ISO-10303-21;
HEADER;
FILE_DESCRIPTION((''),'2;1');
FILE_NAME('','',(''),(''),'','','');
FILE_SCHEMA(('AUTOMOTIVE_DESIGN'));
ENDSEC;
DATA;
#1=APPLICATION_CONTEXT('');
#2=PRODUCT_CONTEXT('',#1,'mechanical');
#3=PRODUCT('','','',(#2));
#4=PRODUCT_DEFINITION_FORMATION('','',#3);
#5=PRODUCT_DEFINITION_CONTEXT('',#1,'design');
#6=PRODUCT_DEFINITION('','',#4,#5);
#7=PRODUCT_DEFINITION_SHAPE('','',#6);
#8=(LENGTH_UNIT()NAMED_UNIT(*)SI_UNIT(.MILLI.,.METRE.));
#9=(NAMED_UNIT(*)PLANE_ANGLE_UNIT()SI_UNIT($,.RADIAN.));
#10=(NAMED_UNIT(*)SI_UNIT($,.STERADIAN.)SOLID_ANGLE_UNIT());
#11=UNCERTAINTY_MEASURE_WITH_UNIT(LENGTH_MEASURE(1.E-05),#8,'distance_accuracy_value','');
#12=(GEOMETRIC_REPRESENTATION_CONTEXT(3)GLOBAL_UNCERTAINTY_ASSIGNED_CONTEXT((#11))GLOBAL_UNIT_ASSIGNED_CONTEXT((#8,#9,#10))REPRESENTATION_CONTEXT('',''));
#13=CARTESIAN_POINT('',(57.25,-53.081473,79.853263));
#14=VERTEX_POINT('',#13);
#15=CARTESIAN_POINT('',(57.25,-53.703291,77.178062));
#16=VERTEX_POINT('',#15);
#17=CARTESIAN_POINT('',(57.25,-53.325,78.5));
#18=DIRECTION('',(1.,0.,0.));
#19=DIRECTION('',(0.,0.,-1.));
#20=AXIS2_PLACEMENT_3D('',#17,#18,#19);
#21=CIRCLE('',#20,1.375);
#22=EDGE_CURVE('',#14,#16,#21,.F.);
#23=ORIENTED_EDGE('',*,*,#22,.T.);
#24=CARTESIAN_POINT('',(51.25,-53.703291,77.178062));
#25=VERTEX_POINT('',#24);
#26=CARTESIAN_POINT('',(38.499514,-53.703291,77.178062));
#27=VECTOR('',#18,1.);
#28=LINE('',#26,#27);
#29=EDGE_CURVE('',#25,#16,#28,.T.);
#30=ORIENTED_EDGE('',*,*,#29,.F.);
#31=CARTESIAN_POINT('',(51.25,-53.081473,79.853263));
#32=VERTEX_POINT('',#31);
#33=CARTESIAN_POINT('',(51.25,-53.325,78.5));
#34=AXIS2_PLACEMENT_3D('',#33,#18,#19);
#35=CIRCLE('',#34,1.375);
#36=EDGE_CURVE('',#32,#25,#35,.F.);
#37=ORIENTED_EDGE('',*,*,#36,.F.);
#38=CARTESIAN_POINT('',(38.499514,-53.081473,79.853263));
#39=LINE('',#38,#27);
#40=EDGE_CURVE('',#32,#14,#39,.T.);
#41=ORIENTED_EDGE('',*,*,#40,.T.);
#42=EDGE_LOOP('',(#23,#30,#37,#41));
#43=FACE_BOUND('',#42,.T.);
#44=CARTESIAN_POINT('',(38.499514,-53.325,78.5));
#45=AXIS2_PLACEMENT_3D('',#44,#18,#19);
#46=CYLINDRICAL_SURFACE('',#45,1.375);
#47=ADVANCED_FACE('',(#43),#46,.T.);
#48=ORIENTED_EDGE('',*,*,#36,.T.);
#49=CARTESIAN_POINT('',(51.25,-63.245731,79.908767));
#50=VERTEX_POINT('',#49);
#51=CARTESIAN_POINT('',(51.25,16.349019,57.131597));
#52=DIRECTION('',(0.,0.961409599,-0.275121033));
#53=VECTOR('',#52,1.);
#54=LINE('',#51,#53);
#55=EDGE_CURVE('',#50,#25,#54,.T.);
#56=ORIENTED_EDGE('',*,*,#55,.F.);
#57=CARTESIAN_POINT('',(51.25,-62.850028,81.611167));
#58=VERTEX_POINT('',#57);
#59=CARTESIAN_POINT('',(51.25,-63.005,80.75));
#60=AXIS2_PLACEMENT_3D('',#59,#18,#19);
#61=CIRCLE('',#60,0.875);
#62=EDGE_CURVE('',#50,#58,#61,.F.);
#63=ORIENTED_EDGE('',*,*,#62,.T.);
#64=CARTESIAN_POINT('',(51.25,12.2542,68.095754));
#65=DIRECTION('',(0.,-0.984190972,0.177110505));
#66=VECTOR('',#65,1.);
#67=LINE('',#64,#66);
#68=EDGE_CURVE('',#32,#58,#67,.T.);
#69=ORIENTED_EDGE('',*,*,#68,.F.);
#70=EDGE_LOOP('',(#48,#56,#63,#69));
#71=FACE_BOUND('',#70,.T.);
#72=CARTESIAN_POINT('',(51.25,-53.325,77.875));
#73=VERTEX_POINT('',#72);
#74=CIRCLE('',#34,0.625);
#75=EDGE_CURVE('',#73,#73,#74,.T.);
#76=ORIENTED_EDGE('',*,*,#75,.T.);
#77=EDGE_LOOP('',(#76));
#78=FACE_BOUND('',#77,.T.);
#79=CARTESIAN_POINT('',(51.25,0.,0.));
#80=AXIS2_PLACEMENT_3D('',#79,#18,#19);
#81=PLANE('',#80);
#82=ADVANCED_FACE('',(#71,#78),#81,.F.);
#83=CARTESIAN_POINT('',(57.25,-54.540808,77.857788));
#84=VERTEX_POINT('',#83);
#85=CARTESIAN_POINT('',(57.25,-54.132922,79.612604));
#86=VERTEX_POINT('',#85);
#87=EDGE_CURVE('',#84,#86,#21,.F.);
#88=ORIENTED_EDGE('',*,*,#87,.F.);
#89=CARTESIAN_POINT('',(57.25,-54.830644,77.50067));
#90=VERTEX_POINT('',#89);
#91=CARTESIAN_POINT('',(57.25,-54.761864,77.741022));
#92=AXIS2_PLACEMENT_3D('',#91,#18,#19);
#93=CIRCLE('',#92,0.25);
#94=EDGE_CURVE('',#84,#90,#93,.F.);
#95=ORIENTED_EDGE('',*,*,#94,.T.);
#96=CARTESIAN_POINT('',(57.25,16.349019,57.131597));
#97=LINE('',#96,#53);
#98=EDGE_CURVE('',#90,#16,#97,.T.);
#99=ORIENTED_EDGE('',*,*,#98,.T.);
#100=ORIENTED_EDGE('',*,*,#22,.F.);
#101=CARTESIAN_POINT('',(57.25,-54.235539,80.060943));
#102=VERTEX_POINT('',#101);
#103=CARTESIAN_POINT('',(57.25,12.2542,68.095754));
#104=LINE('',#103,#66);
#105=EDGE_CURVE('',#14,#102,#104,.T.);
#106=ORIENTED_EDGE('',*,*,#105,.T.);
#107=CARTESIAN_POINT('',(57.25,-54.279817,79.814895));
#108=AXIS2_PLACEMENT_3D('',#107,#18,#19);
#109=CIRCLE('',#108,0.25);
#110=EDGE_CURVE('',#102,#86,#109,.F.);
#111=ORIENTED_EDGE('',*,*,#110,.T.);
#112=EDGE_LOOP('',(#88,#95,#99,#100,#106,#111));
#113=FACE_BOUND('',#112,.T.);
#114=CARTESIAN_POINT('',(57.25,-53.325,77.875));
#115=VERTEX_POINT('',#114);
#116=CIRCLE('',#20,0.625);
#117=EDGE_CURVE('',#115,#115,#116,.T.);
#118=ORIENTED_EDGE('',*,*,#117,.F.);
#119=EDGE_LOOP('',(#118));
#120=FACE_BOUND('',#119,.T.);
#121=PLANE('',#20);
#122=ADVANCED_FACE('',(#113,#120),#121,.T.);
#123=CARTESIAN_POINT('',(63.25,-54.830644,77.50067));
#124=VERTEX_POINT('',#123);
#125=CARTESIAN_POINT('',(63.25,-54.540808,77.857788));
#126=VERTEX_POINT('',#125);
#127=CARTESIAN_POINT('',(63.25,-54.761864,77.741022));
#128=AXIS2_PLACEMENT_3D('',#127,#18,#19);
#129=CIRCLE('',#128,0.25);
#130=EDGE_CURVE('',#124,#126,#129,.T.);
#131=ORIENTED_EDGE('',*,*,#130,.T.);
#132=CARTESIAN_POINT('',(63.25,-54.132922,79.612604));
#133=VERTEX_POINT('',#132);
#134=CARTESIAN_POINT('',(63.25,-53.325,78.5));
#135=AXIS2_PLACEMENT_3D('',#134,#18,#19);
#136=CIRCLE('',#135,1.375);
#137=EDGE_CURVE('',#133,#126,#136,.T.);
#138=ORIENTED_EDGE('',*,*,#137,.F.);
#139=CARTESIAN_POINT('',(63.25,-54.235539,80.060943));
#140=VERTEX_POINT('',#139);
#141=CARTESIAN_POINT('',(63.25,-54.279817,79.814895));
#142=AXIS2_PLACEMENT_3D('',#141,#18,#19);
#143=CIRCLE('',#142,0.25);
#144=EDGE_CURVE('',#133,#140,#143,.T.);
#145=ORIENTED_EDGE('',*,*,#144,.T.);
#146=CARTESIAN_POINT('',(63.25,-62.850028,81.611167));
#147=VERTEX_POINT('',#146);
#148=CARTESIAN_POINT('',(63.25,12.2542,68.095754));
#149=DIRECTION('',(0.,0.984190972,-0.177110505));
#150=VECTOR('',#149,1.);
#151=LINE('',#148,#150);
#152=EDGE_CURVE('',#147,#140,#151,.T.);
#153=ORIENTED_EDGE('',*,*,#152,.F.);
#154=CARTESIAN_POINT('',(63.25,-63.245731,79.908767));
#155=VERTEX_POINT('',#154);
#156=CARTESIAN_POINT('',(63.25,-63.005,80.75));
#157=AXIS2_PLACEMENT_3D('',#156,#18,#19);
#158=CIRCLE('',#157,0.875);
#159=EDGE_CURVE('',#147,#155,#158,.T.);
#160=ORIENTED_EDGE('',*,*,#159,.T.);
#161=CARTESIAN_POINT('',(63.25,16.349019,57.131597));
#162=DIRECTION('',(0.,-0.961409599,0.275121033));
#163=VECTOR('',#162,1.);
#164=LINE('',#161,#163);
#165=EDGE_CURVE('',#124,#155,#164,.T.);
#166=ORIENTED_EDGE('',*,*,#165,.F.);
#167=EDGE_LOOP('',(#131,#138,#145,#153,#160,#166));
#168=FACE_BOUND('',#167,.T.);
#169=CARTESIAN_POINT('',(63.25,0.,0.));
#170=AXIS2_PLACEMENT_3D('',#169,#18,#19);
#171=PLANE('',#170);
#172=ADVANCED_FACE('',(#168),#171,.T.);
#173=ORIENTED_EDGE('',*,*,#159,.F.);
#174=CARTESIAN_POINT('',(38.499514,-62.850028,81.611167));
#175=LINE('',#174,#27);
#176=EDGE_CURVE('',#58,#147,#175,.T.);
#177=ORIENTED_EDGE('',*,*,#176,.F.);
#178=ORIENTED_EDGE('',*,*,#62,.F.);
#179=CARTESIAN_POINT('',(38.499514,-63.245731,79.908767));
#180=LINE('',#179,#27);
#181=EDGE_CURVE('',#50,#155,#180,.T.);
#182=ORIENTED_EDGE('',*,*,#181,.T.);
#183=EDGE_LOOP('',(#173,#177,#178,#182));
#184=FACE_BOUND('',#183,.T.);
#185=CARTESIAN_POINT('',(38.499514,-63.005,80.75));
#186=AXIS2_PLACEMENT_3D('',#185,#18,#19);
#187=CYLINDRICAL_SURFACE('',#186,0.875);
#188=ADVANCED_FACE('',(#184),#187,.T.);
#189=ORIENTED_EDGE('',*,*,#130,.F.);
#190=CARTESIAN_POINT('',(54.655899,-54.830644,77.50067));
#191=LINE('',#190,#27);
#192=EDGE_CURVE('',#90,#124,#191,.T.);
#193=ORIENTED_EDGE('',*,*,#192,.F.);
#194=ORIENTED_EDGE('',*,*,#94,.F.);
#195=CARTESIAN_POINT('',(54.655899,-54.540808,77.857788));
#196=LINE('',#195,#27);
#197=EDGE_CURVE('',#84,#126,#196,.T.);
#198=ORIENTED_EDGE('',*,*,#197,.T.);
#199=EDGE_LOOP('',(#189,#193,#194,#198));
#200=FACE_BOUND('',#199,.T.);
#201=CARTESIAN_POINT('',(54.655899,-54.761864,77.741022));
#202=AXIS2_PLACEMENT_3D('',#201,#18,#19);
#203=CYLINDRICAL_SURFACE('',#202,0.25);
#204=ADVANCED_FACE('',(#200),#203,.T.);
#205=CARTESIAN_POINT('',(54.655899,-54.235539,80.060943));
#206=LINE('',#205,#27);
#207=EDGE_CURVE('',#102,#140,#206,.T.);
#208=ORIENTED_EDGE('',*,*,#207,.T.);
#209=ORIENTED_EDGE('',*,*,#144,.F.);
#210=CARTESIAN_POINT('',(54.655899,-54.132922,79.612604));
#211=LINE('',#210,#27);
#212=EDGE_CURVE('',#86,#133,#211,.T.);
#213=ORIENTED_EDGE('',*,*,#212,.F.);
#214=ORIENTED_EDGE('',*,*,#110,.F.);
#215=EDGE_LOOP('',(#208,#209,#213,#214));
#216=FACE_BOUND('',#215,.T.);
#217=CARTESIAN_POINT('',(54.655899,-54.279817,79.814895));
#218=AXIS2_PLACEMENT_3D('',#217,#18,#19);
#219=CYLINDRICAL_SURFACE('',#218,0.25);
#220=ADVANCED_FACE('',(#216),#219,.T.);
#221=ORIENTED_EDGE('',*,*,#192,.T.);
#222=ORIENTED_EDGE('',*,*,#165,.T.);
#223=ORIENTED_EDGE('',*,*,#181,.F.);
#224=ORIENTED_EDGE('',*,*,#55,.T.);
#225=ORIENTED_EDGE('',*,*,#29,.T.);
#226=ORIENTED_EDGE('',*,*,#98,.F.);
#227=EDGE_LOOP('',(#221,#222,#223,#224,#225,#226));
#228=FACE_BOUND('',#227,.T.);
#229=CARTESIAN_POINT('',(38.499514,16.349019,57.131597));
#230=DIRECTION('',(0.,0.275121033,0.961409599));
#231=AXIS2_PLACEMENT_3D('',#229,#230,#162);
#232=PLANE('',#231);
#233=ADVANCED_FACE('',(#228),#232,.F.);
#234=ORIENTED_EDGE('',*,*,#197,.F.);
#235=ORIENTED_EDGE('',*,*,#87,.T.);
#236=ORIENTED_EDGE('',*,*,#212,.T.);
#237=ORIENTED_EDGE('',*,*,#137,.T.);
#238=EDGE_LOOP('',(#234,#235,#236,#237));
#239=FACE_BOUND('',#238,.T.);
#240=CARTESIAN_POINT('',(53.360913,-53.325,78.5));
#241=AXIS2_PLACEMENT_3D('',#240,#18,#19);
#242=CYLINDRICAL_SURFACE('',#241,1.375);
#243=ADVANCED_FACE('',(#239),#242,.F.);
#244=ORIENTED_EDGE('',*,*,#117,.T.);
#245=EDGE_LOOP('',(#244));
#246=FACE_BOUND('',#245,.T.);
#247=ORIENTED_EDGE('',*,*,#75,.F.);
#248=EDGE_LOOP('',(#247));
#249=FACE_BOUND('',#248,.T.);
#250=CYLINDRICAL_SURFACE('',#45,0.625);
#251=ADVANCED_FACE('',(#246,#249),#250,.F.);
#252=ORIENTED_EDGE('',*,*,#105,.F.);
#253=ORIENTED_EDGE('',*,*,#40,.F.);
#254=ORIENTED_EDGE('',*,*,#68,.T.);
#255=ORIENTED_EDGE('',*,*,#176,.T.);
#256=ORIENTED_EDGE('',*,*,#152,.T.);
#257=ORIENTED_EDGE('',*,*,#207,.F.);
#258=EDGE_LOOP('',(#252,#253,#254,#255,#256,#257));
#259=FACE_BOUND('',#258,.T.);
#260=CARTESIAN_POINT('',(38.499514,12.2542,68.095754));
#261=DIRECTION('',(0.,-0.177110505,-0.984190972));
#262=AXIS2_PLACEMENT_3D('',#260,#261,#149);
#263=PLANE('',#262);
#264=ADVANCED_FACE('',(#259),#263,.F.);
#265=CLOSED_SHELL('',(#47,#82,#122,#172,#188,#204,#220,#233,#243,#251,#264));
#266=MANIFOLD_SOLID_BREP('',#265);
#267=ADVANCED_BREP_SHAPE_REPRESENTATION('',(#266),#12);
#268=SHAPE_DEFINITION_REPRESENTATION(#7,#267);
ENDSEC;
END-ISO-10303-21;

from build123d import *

# Parameters (mm, degrees)
SKETCH_1_R          = 0.625
EXTRUDE_1_DEPTH     = 12
CUT_EXTRUDE_START   = -6
SKETCH_2_R          = 1.375
CUT_EXTRUDE_1_DEPTH = 6
CUT_EXTRUDE_2_DEPTH = 6


with BuildPart() as part:
    # 草图1 → 凸台-拉伸1 (new body)
    with BuildSketch(Plane(origin=(63.25, 0, 0), x_dir=(0, 0, -1), z_dir=(1, 0, 0))):
        with BuildLine():
            Line((-79.908766601, -63.245730904), (-77.178061801, -53.70329142))
            ThreePointArc((-77.178061801, -53.70329142), (-78.188696573, -51.985703477), (-79.853262586, -53.081473056))
            Line((-79.853262586, -53.081473056), (-81.6111671, -62.850028308))
            ThreePointArc((-81.6111671, -62.850028308), (-80.948102181, -63.857279605), (-79.908766601, -63.245730904))
        make_face()
        with Locations((-78.5, -53.325)):
            Circle(SKETCH_1_R, mode=Mode.SUBTRACT)
    extrude(amount=-EXTRUDE_1_DEPTH)

    # 草图2 → 切除-拉伸1 (cut)
    with BuildSketch(Plane(origin=(63.25, 0, 0), x_dir=(0, 0, -1), z_dir=(1, 0, 0)).offset(CUT_EXTRUDE_START)):
        with Locations((-78.5, -53.325)):
            Circle(SKETCH_2_R)
    extrude(amount=CUT_EXTRUDE_1_DEPTH, mode=Mode.SUBTRACT)

    # 草图3 → 切除-拉伸2 (cut)
    with BuildSketch(Plane(origin=(63.25, 0, 0), x_dir=(0, 0, -1), z_dir=(1, 0, 0)).offset(CUT_EXTRUDE_START)):
        with BuildLine():
            Line((-79.853262586, -53.081473056), (-80.060943062, -54.235539267))
            ThreePointArc((-80.060943062, -54.235539267), (-79.870673692, -54.036118774), (-79.612603732, -54.132921987))
            ThreePointArc((-79.612603732, -54.132921987), (-79.840339654, -53.631781049), (-79.853262586, -53.081473056))
        make_face()
        with BuildLine():
            ThreePointArc((-77.178061801, -53.70329142), (-77.432371823, -54.191484319), (-77.857788029, -54.540807873))
            ThreePointArc((-77.857788029, -54.540807873), (-77.583479618, -54.567749621), (-77.500669801, -54.83064408))
            Line((-77.500669801, -54.83064408), (-77.178061801, -53.70329142))
        make_face()
    extrude(amount=CUT_EXTRUDE_2_DEPTH, mode=Mode.SUBTRACT)


solid = part.part
